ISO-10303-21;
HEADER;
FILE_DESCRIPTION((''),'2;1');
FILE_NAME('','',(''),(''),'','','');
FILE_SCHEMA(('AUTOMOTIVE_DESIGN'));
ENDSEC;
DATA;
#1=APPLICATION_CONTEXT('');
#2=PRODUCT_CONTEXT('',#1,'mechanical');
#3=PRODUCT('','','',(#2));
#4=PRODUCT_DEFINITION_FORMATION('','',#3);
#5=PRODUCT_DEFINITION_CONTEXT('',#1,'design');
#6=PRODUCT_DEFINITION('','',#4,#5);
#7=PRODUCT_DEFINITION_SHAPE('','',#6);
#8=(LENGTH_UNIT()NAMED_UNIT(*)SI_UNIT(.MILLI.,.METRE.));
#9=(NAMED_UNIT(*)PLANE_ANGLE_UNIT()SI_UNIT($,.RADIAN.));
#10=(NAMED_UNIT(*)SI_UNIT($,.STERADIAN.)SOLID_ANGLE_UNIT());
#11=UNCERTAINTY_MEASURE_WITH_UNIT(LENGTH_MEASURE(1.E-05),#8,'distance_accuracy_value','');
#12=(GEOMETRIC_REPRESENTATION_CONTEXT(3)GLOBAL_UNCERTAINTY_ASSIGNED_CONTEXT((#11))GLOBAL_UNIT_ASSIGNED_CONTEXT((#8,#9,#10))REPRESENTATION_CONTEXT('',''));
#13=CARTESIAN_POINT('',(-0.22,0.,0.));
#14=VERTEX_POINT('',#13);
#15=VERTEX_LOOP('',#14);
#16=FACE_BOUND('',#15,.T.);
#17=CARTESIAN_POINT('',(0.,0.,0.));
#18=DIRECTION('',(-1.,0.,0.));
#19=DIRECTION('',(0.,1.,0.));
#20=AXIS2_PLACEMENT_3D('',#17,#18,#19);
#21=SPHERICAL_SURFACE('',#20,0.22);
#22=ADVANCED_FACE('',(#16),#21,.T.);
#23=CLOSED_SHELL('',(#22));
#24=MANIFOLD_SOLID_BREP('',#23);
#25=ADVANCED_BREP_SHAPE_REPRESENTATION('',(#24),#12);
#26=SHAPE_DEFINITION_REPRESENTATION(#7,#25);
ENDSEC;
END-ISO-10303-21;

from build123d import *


with BuildPart() as part:
    # Sketch1 → Revolve1 (revolve)
    with BuildSketch(Plane.XY):
        with BuildLine():
            Line((-0.22, 0), (0.22, 0))
            ThreePointArc((0.22, 0), (0, -0.22), (-0.22, 0))
        make_face()
    revolve(axis=Axis((-0.22, 0, 0), (1, 0, 0)))


solid = part.part
